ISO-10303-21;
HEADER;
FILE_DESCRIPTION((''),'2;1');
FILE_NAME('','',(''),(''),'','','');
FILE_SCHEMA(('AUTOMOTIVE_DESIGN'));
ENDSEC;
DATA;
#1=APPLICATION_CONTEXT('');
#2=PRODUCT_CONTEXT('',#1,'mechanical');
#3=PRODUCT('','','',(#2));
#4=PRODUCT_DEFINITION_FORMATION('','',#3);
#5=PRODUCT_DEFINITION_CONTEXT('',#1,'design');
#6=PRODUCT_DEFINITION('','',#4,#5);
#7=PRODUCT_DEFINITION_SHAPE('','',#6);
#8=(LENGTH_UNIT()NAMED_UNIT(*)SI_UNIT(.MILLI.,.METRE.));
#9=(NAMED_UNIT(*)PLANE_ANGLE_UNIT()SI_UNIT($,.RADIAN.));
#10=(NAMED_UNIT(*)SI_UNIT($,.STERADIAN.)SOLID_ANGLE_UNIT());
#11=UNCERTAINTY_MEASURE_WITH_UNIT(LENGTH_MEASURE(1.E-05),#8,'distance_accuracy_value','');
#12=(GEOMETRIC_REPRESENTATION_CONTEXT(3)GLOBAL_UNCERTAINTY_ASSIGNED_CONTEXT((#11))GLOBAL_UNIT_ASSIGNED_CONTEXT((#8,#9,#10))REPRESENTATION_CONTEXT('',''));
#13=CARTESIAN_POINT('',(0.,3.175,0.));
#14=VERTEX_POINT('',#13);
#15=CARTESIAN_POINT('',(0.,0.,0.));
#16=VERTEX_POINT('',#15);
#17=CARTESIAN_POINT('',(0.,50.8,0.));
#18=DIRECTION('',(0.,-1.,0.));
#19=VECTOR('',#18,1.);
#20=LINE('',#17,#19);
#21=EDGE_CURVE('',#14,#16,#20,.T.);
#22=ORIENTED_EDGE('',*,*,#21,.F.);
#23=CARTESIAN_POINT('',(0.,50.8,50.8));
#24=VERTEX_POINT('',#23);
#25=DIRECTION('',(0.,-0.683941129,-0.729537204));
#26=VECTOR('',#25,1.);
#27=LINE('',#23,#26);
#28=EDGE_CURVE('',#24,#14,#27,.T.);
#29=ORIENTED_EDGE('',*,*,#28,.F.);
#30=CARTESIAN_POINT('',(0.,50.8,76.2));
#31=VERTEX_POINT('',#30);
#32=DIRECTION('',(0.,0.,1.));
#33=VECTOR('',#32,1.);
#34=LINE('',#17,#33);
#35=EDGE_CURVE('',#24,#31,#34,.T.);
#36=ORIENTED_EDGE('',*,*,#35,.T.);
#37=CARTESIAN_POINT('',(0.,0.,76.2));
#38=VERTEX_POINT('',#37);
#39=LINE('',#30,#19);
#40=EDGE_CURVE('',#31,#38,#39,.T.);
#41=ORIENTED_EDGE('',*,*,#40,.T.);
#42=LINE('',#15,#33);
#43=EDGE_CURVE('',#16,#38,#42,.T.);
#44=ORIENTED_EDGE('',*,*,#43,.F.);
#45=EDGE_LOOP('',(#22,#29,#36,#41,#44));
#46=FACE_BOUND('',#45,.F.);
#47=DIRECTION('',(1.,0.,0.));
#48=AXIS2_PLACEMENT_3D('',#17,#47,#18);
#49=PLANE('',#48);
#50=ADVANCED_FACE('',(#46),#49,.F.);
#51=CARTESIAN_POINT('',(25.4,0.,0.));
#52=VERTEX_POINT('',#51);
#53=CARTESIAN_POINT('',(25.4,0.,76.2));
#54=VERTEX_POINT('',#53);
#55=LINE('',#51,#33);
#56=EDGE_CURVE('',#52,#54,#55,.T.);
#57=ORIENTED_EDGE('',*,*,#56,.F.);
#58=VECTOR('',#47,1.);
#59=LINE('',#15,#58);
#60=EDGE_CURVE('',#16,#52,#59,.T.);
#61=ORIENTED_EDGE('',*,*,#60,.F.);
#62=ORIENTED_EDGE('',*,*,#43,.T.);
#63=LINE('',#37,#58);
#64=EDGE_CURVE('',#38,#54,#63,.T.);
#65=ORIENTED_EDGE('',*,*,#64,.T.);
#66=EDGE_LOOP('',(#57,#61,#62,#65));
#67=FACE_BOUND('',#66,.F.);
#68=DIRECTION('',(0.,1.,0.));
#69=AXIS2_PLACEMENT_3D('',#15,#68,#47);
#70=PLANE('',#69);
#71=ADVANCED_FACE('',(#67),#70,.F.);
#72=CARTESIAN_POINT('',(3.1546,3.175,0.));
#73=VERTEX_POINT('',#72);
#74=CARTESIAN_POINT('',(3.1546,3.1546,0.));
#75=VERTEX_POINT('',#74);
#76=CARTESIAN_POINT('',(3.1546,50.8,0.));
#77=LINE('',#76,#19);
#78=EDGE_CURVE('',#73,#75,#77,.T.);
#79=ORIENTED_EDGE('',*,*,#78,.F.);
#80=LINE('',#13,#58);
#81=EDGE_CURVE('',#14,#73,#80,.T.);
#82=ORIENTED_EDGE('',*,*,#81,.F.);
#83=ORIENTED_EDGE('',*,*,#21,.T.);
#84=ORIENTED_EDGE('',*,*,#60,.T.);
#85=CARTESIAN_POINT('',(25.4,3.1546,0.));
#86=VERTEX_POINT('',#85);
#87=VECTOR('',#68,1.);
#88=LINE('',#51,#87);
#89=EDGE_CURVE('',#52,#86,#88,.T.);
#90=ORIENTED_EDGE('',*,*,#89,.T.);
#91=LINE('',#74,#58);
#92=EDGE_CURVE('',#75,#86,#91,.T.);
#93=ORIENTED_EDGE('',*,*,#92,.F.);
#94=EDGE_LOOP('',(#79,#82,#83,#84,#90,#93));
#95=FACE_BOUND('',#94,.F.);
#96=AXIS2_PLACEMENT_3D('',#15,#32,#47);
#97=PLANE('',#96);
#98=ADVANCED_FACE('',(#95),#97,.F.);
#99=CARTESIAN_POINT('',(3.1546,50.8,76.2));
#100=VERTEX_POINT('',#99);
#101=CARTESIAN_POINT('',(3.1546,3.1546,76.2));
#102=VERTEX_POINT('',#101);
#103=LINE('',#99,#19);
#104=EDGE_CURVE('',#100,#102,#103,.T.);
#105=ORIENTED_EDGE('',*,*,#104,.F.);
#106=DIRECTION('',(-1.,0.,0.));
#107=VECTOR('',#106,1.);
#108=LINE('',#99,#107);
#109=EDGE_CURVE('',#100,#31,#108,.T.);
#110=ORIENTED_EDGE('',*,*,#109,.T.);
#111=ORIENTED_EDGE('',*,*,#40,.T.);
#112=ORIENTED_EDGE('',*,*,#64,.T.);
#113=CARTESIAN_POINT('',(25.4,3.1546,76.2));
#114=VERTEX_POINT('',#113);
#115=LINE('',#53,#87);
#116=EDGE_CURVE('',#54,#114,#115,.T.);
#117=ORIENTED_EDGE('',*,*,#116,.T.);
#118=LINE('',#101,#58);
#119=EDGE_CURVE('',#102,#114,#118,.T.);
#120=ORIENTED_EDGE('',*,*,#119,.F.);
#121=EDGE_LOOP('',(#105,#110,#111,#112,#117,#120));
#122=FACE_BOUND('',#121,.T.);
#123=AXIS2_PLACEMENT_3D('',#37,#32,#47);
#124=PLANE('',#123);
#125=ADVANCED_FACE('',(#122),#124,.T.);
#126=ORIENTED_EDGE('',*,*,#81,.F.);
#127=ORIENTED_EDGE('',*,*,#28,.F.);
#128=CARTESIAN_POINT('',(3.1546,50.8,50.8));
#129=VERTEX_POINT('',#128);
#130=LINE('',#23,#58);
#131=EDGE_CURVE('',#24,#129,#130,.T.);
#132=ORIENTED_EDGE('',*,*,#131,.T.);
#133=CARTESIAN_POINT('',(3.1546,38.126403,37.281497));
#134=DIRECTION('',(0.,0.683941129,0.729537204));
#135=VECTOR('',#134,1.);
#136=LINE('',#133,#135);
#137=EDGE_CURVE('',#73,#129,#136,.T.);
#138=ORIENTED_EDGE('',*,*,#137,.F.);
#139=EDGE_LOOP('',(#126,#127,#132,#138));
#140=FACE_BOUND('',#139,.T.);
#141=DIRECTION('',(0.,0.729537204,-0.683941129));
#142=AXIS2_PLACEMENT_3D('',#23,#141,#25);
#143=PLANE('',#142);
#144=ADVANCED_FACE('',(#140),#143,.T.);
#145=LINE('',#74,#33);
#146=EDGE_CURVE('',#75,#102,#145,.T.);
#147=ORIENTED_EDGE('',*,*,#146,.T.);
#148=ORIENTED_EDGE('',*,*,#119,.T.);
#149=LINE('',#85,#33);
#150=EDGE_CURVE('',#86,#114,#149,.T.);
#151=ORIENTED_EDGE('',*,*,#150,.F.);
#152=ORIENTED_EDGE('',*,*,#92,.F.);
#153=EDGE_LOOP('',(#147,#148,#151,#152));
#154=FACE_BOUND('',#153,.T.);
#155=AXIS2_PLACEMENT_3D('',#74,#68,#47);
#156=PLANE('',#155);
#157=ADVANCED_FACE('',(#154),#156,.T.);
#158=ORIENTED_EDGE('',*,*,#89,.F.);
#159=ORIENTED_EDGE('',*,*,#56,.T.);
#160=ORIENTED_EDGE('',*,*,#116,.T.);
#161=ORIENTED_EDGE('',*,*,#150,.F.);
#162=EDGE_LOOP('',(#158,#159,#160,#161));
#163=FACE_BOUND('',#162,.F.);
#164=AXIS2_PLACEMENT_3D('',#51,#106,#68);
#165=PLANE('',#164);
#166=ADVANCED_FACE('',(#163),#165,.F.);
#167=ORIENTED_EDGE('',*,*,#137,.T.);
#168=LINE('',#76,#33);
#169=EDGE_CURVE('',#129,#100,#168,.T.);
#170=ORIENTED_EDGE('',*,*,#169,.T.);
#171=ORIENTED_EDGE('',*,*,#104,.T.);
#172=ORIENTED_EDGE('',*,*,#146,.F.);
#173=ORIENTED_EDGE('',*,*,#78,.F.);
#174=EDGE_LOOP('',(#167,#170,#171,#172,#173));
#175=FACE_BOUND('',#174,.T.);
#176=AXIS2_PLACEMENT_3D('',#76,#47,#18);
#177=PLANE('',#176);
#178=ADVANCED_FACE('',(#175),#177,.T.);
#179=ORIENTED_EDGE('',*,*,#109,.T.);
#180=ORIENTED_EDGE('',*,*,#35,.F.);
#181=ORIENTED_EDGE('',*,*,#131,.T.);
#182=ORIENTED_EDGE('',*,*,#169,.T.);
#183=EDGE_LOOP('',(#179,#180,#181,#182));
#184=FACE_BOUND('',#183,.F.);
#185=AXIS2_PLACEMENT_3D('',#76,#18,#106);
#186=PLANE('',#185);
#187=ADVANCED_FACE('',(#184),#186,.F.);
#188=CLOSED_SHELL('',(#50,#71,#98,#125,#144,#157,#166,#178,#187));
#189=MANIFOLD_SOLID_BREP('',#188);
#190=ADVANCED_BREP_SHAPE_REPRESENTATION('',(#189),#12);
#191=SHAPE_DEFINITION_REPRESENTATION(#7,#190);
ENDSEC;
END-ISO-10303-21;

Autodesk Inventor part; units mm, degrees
ref_plane "YZ Plane" through (0, 0, 0) normal (1, 0, 0) x (0, 1, 0)
ref_plane "XZ Plane" through (0, 0, 0) normal (0, 1, 0) x (-1, 0, 0)
ref_plane "XY Plane" through (0, 0, 0) normal (0, 0, 1) x (1, 0, 0)
sketch "Sketch1" plane through (0, 0, 0) normal (0, 0, 1) x (1, 0, 0)
  line L0 (0, 0) -> (25.4, 0)
  line L1 (25.4, 0) -> (25.4, 3.1546)
  line L2 (3.1546, 50.8) -> (0, 50.8)
  line L3 (0, 50.8) -> (0, 0)
  line L4 (3.1546, 50.8) -> (3.1546, 3.1546)
  line L5 (3.1546, 3.1546) -> (25.4, 3.1546)
  dimension "d0" = 50.8
  dimension "d1" = 25.4
  dimension "d2" = 3.1546
extrude "Extrusion1" add sketch "Sketch1" along normal blind 76.2
sketch "Sketch2" plane through (0, 0, 0) normal (-1, 0, 0) x (0, 0, 1)
  line L0 (76.2, 0) -> (76.2, 50.8) projected
  line L1 (0, 50.8) -> (76.2, 50.8) projected
  line L2 (0, 50.8) -> (0, 0) projected
  line L3 (0, 0) -> (76.2, 0) projected
  line L4 (50.8, 50.8) -> (50.8, 0) construction
  line L5 (50.8, 50.8) -> (0, 3.175)
  dimension "d5" = 25.4
  dimension "d6" = 3.175
extrude "Extrusion2" cut sketch "Sketch2" against normal blind 25.4 contours L5 L2 L1
properties part number "manipulator corner brace"
